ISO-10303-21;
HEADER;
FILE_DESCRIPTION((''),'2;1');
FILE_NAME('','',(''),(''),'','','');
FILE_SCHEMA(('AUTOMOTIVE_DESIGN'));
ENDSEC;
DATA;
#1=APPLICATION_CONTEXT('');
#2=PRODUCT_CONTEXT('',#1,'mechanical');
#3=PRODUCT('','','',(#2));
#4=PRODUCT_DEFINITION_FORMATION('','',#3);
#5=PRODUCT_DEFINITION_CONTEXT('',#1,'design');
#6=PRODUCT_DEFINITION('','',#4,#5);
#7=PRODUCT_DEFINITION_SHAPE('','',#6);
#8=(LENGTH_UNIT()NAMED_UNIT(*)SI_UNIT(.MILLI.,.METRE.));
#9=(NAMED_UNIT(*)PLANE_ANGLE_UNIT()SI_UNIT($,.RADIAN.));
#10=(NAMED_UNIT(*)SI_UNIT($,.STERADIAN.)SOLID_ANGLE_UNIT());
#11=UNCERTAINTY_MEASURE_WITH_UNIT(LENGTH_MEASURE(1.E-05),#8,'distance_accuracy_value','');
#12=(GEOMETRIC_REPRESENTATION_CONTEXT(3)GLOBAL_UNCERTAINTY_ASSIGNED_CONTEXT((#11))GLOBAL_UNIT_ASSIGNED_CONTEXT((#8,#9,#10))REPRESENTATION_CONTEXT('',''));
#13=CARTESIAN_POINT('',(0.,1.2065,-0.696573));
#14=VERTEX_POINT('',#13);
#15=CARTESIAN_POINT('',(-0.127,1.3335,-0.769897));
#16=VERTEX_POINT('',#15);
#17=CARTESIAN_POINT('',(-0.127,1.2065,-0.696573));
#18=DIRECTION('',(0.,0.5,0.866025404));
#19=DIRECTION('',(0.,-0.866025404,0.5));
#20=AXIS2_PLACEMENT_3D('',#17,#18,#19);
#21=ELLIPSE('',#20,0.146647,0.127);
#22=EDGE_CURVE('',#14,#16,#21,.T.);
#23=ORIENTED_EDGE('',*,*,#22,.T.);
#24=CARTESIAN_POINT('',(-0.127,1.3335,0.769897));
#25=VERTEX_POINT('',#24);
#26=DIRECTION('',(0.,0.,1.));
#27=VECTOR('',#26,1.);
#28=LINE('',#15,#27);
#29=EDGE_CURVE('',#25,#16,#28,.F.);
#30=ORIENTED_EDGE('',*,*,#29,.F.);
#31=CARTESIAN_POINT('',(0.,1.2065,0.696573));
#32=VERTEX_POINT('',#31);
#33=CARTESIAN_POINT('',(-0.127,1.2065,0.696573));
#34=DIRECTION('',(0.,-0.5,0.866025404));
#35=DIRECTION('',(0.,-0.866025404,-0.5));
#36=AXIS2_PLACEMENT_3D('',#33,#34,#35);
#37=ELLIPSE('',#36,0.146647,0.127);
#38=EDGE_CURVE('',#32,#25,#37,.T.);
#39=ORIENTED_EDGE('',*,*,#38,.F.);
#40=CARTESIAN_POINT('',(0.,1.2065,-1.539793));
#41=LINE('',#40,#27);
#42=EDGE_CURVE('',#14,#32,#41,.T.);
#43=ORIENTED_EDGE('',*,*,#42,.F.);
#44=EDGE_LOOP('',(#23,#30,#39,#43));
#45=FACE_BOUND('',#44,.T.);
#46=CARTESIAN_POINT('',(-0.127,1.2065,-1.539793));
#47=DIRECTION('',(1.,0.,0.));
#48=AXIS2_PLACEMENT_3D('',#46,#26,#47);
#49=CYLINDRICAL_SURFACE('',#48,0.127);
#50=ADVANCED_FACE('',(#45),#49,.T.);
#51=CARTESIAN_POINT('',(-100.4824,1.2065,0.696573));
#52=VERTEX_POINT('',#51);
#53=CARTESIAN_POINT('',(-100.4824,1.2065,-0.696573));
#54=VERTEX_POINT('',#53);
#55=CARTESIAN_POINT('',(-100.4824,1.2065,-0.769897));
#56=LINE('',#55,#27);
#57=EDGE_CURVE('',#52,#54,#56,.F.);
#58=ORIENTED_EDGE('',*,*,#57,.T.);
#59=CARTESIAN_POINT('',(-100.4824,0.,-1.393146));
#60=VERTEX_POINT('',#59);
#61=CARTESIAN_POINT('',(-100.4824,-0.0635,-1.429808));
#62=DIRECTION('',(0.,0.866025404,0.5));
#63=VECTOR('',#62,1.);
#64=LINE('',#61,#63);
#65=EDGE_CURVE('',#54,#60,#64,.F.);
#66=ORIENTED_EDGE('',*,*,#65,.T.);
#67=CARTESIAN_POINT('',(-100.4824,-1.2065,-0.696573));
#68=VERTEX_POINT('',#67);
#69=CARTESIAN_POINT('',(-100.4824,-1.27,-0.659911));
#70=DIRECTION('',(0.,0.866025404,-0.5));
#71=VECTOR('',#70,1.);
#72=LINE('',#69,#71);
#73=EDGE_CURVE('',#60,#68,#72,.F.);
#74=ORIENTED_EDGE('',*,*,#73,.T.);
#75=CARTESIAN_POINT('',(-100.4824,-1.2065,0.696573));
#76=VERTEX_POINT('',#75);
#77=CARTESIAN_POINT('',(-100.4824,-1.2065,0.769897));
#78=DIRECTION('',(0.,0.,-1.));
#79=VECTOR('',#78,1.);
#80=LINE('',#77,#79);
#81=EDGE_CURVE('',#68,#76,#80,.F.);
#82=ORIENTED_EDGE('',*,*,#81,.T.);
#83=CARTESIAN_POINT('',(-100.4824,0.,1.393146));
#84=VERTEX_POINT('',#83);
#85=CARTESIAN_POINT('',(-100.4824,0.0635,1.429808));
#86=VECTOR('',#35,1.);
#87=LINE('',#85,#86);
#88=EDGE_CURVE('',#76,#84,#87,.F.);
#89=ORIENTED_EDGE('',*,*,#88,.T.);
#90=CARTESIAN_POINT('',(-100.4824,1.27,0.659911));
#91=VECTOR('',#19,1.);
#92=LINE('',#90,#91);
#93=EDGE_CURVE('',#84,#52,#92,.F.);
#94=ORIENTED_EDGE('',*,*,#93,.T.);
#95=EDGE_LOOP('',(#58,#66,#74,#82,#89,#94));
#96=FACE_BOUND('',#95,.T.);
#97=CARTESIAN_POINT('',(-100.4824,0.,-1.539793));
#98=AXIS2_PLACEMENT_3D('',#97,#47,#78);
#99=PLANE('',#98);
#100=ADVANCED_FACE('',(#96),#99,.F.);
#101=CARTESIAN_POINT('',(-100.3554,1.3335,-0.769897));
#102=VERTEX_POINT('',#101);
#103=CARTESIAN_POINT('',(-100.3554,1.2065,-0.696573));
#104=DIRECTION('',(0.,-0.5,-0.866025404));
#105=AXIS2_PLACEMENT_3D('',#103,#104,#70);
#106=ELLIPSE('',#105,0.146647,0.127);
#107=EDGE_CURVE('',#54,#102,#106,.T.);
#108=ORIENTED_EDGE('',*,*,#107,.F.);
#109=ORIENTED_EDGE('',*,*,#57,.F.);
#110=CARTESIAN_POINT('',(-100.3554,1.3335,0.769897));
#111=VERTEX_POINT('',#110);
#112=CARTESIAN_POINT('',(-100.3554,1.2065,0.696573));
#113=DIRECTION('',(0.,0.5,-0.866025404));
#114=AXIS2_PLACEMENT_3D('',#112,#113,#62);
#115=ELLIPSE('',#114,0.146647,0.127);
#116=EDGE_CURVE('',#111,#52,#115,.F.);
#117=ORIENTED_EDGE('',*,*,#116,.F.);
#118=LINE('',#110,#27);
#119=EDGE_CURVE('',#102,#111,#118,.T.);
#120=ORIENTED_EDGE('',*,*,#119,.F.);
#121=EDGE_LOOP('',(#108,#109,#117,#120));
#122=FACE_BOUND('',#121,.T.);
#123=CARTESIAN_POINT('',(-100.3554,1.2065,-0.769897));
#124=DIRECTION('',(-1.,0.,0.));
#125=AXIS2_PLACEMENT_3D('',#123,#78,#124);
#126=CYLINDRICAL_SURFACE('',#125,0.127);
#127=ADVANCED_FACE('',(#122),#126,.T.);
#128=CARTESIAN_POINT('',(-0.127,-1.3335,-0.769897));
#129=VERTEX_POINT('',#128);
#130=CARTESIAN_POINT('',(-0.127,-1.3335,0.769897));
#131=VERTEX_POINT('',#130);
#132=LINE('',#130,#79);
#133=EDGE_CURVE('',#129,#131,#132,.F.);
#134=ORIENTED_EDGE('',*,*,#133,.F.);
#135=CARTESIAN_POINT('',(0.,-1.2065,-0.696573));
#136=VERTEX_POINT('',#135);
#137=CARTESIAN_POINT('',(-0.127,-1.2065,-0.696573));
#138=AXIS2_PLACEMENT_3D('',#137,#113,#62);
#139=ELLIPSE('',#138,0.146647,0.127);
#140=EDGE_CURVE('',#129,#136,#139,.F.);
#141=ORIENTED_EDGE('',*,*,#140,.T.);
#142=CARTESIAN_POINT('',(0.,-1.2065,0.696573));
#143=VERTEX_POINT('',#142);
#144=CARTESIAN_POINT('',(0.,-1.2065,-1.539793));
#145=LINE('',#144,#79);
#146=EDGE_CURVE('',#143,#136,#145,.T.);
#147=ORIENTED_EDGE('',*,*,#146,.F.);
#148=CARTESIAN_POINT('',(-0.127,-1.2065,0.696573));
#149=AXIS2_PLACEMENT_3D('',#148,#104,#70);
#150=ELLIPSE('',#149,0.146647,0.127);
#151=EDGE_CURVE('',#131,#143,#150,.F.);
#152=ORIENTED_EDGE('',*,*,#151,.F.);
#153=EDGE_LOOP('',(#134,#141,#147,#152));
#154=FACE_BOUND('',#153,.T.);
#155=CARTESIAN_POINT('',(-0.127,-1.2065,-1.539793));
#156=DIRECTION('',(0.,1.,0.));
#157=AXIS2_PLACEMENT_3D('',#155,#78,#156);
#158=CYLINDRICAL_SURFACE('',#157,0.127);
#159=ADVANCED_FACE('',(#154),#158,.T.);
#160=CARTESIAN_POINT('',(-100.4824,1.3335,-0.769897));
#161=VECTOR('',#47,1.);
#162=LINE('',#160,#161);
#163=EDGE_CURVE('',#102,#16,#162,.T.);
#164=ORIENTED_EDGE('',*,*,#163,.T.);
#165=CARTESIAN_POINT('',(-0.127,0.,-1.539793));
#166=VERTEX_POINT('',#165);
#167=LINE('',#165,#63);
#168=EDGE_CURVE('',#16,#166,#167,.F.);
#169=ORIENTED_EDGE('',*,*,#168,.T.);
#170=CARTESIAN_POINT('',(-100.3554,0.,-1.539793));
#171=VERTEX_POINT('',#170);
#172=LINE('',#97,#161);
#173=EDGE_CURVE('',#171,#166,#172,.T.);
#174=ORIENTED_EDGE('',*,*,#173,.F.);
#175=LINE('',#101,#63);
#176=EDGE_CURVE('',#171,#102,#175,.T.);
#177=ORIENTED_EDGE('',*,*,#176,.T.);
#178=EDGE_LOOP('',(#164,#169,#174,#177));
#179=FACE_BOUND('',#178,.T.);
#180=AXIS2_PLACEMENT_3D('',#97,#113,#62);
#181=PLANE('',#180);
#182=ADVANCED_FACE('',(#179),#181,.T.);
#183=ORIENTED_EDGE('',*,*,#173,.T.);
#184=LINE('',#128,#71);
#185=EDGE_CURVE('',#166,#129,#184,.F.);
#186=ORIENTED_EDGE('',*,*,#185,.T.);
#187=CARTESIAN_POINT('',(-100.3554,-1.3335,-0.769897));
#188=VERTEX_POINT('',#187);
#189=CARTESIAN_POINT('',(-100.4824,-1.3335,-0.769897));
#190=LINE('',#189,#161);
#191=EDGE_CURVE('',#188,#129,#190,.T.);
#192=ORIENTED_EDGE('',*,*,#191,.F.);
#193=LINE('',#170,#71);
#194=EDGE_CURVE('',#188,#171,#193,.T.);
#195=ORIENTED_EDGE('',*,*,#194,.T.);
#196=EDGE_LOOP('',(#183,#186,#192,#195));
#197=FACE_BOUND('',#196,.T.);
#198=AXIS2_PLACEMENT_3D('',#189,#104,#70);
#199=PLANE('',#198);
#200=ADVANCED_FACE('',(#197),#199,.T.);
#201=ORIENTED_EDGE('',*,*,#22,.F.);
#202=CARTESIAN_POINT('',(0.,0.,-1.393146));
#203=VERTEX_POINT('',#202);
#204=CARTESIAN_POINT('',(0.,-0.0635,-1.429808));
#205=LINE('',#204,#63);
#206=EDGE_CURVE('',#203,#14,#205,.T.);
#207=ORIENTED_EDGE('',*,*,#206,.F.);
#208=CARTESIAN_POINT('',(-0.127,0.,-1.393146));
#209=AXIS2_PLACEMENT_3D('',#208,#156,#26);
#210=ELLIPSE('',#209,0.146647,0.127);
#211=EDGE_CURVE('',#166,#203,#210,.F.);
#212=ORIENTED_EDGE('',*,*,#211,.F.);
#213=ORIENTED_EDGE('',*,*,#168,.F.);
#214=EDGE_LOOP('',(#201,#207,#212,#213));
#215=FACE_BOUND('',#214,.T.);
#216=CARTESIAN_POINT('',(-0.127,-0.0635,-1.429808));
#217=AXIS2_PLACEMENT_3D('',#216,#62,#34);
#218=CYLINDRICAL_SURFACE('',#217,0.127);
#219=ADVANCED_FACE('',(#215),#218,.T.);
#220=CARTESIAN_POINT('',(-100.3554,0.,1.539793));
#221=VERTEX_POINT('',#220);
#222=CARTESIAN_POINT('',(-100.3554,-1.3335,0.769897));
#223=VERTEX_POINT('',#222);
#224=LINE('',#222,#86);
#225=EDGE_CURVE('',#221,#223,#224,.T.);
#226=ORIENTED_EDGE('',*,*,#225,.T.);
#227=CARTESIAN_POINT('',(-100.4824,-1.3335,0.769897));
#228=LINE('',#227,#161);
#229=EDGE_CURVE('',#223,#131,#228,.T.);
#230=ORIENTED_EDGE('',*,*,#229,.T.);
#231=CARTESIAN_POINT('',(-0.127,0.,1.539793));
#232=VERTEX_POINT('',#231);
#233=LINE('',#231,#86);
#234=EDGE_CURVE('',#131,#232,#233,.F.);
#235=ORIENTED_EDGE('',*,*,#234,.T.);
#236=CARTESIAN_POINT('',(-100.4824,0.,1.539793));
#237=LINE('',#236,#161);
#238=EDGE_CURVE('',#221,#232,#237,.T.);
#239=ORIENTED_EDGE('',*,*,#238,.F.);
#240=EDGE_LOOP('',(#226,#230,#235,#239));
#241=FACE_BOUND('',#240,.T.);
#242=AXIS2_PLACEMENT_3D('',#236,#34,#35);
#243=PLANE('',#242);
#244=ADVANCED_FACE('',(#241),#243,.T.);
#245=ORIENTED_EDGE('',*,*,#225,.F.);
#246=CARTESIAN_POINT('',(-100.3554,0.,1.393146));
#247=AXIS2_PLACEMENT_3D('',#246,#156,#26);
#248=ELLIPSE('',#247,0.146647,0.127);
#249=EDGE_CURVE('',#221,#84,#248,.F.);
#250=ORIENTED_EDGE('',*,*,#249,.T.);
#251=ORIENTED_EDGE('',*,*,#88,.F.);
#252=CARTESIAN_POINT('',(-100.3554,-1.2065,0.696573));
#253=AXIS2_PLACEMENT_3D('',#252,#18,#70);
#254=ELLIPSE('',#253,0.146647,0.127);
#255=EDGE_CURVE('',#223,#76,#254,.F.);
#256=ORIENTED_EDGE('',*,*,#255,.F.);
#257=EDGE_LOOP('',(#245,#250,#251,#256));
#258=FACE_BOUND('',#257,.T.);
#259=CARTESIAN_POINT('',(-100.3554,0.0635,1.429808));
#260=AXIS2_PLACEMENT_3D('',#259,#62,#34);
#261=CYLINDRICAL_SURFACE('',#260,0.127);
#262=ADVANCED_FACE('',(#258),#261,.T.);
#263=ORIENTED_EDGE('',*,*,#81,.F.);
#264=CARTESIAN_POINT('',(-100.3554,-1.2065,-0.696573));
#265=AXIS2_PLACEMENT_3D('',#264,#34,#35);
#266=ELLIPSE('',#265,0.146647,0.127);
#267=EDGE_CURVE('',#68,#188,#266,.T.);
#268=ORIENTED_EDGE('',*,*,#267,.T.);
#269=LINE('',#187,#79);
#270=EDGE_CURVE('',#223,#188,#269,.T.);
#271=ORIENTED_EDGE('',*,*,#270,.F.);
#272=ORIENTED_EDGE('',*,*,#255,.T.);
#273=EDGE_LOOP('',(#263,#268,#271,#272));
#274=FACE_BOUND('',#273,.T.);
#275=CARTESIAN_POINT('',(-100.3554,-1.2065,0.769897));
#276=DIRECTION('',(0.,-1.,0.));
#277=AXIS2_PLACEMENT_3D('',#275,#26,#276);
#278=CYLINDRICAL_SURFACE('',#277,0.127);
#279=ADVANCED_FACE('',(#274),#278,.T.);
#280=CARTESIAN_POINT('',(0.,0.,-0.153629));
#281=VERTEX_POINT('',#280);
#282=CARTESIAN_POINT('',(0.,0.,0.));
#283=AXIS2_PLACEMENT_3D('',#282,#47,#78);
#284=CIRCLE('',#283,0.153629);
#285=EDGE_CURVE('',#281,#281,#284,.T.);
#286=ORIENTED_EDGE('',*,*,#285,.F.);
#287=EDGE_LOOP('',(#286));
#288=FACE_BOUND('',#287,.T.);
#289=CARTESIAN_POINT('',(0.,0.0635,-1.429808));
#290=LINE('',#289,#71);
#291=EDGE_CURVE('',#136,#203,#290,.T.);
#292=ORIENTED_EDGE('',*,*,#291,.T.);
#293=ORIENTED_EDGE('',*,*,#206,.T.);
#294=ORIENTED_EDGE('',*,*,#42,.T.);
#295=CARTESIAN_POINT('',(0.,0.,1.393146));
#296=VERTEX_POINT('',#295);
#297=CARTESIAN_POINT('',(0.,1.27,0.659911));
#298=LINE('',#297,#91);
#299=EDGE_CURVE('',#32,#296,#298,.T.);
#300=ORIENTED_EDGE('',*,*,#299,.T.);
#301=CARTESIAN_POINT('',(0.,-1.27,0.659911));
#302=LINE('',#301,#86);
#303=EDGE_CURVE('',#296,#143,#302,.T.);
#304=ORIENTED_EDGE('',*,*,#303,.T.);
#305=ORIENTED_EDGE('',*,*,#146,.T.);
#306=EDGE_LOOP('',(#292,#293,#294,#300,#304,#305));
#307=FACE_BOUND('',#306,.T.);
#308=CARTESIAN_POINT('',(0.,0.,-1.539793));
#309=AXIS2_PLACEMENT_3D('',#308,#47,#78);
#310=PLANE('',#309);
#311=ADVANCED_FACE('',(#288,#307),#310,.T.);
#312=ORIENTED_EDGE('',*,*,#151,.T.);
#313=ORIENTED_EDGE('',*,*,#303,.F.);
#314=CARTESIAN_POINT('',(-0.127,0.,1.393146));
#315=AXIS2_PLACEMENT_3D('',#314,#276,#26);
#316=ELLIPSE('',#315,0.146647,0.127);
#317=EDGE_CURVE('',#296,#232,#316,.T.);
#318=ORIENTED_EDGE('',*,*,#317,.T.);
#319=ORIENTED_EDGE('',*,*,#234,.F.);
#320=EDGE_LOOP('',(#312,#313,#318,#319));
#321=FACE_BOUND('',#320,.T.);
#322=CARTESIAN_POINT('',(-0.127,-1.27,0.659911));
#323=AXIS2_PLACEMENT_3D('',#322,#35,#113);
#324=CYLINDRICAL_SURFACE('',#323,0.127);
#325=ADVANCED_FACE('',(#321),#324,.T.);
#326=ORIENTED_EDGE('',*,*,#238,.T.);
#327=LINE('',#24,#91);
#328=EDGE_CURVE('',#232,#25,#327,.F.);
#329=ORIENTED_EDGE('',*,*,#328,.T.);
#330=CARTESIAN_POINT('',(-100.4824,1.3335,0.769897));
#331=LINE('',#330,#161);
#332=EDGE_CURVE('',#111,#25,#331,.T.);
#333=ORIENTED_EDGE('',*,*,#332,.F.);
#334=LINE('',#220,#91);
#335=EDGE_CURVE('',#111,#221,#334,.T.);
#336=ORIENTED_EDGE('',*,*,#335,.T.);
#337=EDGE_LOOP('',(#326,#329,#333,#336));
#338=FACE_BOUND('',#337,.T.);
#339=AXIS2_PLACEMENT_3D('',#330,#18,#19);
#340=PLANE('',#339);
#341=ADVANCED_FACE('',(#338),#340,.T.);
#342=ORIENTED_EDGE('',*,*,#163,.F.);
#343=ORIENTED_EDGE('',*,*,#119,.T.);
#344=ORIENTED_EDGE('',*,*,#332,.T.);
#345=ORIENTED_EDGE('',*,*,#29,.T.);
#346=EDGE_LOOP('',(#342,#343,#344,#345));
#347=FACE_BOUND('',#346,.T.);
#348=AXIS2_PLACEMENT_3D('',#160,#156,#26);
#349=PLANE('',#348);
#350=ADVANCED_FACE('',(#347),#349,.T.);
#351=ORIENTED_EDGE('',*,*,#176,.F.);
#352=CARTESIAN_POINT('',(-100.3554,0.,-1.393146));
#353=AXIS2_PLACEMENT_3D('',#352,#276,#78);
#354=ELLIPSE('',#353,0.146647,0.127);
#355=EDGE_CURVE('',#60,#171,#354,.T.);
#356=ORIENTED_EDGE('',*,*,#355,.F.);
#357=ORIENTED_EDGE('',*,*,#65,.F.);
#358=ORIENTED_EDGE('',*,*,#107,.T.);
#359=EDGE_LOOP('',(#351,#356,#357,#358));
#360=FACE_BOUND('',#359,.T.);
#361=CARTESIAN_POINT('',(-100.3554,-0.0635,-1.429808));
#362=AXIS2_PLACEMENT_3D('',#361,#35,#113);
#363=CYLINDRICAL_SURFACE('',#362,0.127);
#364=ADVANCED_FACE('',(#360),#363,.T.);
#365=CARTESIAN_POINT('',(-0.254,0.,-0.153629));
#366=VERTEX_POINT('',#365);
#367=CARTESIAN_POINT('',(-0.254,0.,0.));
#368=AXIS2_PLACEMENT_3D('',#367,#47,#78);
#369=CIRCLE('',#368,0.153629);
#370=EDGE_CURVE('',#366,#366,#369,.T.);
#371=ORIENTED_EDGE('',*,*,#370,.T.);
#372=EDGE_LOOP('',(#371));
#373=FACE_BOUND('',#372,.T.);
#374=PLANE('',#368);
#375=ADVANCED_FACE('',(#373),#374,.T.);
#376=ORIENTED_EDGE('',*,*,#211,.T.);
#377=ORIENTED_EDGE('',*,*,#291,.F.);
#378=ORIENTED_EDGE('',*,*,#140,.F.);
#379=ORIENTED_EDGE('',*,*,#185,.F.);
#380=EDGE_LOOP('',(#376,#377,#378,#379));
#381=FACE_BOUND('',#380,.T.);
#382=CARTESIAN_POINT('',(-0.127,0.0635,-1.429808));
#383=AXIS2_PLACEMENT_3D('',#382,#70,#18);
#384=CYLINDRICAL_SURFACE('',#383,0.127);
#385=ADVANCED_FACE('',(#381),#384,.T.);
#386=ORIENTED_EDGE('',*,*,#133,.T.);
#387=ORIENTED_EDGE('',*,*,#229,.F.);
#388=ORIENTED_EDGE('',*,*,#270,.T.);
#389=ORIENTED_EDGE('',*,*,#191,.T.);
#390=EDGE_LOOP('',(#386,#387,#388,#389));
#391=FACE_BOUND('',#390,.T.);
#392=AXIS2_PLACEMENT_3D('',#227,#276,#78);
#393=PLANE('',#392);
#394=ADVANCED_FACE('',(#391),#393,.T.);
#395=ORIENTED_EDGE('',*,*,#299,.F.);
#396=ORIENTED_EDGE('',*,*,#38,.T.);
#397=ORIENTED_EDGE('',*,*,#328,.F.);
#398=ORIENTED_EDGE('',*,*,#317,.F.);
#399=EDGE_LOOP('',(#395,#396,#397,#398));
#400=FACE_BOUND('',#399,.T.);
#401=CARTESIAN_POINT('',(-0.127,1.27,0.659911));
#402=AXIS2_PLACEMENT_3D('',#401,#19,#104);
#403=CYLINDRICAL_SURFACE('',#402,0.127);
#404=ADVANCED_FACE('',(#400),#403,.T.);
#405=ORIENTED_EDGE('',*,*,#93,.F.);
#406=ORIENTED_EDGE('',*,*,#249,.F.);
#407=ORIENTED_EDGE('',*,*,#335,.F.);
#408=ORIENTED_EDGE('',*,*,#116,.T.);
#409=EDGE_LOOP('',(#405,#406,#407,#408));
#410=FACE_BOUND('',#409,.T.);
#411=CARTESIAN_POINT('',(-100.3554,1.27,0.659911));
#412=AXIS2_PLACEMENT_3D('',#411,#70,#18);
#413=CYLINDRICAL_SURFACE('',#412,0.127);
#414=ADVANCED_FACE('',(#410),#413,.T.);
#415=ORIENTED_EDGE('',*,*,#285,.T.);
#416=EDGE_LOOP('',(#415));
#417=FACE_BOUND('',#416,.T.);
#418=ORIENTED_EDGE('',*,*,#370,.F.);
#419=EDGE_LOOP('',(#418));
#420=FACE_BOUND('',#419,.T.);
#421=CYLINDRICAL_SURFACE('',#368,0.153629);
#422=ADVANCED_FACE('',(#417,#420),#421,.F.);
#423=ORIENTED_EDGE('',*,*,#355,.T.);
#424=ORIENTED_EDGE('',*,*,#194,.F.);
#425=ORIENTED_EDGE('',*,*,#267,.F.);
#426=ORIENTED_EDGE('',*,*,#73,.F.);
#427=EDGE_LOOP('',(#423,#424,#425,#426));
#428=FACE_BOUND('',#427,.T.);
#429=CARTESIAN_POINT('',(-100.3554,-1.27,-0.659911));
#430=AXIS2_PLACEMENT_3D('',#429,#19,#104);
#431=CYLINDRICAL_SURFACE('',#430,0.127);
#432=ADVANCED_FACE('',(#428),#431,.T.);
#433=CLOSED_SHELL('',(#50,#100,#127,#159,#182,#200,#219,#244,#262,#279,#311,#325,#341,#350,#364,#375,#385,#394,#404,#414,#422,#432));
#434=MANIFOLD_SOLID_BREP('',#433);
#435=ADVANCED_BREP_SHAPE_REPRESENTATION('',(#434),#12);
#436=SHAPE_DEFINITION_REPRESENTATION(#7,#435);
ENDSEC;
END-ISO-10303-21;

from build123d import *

# Parameters (mm, degrees)
BOSS_EXTRUDE1_DEPTH = 100.4824
FILLET1_R           = 0.127
SKETCH2_R           = 0.153628899
CUT_EXTRUDE1_DEPTH  = 0.254


with BuildPart() as part:
    # Sketch1 → Boss-Extrude1 (new body)
    with BuildSketch(Plane(origin=(0, 0, 0), x_dir=(0, 0, -1), z_dir=(1, 0, 0))):
        Polygon((1.539793168, 0), (0.769896584, 1.3335), (-0.769896584, 1.3335), (-1.539793168, 0), (-0.769896584, -1.3335), (0.769896584, -1.3335), align=None)
    extrude(amount=-BOSS_EXTRUDE1_DEPTH)

    # Fillet1
    fillet1_edges = [part.edges().sort_by_distance(p)[0] for p in [
        (-100.4824, 1.3335, 0),
        (-100.4824, 0.66675, 1.154844876),
        (-100.4824, -0.66675, 1.154844876),
        (-100.4824, -1.3335, 0),
        (-100.4824, -0.66675, -1.154844876),
        (0, -1.3335, 0),
        (0, -0.66675, 1.154844876),
        (0, 0.66675, 1.154844876),
        (-100.4824, 0.66675, -1.154844876),
        (0, 1.3335, 0),
        (0, 0.66675, -1.154844876),
        (0, -0.66675, -1.154844876),
    ]]
    fillet(fillet1_edges, radius=FILLET1_R)

    # Sketch2 → Cut-Extrude1 (cut)
    with BuildSketch(Plane(origin=(0, 0, 0), x_dir=(0, 0, -1), z_dir=(1, 0, 0))):
        Circle(SKETCH2_R)
    extrude(amount=-CUT_EXTRUDE1_DEPTH, mode=Mode.SUBTRACT)


solid = part.part
